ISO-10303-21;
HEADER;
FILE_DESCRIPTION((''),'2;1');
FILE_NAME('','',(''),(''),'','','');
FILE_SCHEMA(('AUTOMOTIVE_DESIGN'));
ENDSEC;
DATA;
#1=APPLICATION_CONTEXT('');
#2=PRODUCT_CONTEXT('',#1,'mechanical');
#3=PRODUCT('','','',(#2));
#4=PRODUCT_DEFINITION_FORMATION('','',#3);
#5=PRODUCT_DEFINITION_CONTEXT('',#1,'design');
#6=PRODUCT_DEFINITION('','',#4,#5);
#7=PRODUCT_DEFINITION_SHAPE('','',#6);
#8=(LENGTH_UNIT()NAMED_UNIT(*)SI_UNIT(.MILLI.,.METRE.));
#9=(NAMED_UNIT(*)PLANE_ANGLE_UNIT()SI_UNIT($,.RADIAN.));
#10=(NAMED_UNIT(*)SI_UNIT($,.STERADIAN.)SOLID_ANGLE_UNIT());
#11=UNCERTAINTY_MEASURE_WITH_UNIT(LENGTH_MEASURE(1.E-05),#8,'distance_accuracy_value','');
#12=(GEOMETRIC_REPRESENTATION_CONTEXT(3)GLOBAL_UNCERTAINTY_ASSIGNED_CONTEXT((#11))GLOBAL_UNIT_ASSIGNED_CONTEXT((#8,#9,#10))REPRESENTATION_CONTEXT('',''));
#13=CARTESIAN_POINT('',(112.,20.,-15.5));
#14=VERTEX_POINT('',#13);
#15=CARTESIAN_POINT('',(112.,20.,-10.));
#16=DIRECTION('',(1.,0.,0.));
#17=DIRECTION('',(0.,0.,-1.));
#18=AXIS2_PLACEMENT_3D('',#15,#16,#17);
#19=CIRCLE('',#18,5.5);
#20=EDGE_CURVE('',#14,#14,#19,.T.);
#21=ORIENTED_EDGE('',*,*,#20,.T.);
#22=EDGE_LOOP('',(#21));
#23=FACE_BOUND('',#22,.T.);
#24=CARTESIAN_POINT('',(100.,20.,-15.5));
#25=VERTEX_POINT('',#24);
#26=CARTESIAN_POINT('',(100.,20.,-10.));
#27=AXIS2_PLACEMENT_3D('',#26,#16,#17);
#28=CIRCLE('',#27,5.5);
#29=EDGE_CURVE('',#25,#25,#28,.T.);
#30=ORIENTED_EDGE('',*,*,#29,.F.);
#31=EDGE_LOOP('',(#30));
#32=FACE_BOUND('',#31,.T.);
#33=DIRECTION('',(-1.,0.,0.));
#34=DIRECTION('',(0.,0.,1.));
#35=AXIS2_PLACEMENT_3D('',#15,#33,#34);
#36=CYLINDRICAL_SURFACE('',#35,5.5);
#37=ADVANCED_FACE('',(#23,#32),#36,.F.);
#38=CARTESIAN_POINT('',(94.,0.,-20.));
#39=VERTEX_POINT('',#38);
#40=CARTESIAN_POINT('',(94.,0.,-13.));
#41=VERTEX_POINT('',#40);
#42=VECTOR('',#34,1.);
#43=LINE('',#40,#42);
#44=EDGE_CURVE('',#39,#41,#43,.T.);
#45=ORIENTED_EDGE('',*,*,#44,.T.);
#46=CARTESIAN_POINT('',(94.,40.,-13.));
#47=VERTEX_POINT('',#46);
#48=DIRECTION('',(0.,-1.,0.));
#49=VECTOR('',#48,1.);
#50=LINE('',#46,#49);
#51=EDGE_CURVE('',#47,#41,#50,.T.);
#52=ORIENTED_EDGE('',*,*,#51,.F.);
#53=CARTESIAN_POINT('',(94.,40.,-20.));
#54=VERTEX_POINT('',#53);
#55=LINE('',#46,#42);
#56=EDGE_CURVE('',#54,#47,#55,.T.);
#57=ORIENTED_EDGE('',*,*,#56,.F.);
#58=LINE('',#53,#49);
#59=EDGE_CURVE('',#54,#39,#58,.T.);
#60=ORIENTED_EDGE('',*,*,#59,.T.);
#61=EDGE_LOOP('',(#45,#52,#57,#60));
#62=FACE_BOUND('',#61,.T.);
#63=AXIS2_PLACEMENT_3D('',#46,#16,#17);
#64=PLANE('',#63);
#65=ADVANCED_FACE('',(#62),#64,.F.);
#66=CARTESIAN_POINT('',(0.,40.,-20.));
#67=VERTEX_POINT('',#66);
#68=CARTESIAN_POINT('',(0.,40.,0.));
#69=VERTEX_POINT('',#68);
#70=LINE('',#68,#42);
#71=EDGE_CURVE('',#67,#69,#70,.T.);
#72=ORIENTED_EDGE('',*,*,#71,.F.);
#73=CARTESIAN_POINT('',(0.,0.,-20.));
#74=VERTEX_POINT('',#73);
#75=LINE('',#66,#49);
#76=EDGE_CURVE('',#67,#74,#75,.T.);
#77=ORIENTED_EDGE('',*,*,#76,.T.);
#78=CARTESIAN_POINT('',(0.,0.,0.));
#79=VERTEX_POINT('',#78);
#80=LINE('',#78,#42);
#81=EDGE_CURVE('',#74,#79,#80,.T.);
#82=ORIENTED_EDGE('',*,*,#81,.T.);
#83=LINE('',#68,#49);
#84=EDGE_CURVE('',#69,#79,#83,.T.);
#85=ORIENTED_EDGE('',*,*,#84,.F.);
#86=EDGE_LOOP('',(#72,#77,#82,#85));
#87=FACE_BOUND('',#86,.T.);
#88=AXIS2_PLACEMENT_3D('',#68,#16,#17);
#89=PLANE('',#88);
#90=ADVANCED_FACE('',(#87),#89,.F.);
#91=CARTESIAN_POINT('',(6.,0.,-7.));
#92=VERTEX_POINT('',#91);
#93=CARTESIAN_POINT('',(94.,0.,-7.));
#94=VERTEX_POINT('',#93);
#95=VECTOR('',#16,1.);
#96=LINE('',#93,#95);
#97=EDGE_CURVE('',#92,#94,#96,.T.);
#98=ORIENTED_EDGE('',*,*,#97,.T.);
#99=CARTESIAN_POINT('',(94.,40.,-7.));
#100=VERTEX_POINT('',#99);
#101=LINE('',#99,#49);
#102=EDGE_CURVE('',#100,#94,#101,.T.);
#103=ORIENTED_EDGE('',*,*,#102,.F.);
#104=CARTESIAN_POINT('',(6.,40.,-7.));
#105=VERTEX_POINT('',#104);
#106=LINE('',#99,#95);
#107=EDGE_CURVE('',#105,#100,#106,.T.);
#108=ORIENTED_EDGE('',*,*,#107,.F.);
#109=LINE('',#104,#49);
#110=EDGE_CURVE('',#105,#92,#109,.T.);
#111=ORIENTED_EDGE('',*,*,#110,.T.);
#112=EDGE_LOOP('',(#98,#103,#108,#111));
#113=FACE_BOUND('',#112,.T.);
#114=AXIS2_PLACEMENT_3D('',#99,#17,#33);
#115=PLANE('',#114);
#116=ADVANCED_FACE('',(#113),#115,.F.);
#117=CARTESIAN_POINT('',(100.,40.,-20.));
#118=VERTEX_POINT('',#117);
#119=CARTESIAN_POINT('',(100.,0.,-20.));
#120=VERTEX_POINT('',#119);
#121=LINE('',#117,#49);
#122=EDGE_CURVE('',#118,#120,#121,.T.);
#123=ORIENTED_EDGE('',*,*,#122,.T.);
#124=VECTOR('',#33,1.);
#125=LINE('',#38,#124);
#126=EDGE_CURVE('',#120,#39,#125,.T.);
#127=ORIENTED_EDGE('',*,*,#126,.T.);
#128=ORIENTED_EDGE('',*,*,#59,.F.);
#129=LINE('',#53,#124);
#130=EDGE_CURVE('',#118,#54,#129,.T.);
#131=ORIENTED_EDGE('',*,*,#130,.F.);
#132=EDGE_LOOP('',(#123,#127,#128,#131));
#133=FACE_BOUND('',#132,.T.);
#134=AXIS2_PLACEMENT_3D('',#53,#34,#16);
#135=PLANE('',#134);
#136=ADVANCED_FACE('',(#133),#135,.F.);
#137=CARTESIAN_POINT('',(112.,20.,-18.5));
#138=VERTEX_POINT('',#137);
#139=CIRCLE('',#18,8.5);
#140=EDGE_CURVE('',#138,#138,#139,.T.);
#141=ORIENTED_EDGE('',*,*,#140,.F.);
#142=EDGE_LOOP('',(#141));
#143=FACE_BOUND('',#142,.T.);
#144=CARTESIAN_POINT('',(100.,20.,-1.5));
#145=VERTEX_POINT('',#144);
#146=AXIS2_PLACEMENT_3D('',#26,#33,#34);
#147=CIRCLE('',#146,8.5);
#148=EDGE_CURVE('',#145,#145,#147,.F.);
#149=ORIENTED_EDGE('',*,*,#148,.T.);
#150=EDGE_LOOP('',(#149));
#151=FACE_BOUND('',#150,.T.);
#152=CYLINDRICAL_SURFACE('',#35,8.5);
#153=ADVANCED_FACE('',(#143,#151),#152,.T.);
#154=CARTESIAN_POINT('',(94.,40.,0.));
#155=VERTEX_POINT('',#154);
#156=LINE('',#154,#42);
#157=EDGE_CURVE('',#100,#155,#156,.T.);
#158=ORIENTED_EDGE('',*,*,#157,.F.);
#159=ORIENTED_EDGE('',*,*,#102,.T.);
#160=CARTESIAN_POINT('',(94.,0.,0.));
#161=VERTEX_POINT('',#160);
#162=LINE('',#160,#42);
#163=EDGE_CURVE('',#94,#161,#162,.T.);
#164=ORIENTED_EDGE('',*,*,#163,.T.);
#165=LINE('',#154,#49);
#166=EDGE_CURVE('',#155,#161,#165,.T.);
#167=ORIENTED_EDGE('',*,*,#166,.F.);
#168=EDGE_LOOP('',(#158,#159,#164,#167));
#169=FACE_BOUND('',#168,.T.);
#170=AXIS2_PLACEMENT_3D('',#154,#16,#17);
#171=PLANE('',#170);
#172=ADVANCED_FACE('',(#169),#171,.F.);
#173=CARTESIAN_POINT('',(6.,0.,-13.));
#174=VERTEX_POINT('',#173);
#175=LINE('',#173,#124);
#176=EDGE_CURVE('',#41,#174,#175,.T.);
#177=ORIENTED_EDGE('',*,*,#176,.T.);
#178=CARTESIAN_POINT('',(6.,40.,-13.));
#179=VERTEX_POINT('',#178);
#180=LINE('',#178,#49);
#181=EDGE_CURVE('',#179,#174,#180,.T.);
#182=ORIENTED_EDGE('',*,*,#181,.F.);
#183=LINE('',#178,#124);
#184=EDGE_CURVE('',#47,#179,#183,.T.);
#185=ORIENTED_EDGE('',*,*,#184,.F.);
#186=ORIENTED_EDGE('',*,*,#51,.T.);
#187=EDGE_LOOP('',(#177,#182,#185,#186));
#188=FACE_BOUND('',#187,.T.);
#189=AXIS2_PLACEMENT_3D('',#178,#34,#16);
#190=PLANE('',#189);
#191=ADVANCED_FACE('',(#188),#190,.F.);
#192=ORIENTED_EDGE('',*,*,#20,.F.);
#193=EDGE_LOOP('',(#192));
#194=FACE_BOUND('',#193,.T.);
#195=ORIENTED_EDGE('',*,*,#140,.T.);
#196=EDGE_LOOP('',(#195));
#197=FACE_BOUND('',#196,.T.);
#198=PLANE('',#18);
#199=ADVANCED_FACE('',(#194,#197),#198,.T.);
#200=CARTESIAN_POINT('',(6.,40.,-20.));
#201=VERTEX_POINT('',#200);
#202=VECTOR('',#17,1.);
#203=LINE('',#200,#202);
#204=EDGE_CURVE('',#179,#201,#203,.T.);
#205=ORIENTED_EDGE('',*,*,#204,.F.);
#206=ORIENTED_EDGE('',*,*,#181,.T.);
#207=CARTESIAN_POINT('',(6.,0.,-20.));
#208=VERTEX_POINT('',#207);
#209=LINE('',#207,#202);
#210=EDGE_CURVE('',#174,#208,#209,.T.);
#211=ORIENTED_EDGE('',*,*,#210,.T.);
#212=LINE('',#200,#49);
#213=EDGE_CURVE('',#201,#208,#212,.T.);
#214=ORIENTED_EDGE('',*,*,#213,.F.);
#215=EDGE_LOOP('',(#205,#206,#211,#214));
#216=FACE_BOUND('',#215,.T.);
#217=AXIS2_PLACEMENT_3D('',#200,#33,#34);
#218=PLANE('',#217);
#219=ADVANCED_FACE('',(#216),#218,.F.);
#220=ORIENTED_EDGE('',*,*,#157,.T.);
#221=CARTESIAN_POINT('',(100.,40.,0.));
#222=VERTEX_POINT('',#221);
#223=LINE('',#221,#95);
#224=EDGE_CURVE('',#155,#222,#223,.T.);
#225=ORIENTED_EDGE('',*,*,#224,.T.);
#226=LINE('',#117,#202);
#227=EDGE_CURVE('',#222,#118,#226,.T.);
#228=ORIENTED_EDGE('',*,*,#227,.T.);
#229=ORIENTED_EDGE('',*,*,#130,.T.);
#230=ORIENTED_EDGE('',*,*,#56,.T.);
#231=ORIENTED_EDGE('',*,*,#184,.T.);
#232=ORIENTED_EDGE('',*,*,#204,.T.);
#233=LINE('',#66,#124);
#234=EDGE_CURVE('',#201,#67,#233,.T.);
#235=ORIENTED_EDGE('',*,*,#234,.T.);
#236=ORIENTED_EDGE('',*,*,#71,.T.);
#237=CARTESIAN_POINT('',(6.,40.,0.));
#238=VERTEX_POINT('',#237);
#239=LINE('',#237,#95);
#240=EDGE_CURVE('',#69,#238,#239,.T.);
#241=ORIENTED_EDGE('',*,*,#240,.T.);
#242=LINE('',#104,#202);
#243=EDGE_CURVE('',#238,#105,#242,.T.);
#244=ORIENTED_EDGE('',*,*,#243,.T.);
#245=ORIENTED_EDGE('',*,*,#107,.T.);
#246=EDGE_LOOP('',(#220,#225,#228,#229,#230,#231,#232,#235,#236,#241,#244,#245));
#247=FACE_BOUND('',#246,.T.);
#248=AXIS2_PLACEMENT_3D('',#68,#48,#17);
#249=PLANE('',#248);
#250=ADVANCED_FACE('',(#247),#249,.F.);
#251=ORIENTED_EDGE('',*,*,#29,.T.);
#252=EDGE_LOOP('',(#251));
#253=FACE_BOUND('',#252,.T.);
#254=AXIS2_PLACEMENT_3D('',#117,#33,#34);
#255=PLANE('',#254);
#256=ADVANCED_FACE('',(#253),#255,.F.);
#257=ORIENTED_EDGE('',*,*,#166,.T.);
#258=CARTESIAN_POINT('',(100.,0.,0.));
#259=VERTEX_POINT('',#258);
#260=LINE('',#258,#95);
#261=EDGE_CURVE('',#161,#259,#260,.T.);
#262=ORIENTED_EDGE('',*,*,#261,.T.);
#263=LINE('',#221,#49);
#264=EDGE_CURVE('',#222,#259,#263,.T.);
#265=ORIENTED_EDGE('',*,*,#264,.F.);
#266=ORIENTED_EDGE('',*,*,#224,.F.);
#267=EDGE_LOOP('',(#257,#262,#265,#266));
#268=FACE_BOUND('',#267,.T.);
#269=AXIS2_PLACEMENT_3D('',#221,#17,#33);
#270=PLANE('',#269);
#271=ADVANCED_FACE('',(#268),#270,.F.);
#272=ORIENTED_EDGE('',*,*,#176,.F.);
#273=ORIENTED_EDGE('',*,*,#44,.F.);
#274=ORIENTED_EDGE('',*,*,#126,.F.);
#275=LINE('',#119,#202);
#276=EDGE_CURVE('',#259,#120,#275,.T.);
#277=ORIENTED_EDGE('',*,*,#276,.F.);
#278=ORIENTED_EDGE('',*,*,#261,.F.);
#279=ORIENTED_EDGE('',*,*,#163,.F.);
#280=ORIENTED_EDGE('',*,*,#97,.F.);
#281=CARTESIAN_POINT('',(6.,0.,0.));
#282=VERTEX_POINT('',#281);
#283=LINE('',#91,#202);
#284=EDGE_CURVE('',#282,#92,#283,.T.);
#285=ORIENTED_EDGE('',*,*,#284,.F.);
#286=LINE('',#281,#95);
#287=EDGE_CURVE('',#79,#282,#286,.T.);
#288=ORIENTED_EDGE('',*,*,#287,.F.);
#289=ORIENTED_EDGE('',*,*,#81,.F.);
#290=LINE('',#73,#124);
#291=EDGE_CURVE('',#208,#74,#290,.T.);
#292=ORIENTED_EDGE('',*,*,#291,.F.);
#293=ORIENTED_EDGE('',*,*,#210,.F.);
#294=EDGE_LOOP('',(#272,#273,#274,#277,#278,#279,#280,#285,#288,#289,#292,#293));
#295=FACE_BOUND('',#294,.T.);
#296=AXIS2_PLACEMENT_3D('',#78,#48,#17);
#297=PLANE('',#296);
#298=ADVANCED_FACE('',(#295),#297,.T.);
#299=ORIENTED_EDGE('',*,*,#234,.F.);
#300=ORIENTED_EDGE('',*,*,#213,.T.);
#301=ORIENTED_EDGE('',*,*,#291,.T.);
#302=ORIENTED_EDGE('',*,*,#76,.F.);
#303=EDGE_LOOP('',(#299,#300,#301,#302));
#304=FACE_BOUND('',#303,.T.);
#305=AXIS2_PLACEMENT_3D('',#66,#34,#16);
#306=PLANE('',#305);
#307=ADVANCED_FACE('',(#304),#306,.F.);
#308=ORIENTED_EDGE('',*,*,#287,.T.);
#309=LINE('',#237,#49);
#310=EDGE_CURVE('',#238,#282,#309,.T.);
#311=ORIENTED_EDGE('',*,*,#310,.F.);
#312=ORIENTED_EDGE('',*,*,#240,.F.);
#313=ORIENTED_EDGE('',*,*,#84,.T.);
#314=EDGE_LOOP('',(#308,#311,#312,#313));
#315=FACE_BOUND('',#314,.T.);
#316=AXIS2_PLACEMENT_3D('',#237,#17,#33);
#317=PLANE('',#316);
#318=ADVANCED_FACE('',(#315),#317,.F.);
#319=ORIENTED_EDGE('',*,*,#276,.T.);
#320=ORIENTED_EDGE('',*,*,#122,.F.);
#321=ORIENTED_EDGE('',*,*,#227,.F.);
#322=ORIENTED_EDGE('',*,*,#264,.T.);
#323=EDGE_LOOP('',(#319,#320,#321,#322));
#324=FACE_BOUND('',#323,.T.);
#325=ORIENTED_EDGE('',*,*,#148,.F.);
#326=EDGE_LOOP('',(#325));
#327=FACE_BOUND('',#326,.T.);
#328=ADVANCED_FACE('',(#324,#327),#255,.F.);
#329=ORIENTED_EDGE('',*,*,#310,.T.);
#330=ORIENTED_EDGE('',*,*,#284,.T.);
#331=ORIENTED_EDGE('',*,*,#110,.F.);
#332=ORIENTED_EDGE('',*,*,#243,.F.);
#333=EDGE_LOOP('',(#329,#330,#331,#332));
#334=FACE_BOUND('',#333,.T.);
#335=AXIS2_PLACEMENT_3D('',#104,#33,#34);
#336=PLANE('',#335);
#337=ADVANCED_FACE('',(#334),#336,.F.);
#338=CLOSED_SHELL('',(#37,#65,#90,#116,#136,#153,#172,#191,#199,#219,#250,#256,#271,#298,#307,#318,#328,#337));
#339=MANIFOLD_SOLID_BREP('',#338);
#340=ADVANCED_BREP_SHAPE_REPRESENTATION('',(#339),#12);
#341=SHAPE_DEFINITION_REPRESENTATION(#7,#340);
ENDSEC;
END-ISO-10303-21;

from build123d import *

# Parameters (mm, degrees)
BOSS_EXTRUDE2_DEPTH = 40
SKETCH2_R           = 8.5
SKETCH2_R_2         = 5.5
BOSS_EXTRUDE3_DEPTH = 12


with BuildPart() as part:
    # Sketch1 → Boss-Extrude2 (new body)
    with BuildSketch(Plane(origin=(0, 0, 0), x_dir=(1, 0, 0), z_dir=(0, 1, 0))):
        Polygon((0, 0), (0, 20), (6, 20), (6, 13), (94, 13), (94, 20), (100, 20), (100, 0), (94, 0), (94, 7), (6, 7), (6, 0), align=None)
    extrude(amount=BOSS_EXTRUDE2_DEPTH)

    # Sketch2 → Boss-Extrude3 (add)
    with BuildSketch(Plane(origin=(100, 0, 0), x_dir=(0, 0, -1), z_dir=(1, 0, 0))):
        with Locations((10, 20)):
            Circle(SKETCH2_R)
        with Locations((10, 20)):
            Circle(SKETCH2_R_2, mode=Mode.SUBTRACT)
    extrude(amount=BOSS_EXTRUDE3_DEPTH)


solid = part.part
